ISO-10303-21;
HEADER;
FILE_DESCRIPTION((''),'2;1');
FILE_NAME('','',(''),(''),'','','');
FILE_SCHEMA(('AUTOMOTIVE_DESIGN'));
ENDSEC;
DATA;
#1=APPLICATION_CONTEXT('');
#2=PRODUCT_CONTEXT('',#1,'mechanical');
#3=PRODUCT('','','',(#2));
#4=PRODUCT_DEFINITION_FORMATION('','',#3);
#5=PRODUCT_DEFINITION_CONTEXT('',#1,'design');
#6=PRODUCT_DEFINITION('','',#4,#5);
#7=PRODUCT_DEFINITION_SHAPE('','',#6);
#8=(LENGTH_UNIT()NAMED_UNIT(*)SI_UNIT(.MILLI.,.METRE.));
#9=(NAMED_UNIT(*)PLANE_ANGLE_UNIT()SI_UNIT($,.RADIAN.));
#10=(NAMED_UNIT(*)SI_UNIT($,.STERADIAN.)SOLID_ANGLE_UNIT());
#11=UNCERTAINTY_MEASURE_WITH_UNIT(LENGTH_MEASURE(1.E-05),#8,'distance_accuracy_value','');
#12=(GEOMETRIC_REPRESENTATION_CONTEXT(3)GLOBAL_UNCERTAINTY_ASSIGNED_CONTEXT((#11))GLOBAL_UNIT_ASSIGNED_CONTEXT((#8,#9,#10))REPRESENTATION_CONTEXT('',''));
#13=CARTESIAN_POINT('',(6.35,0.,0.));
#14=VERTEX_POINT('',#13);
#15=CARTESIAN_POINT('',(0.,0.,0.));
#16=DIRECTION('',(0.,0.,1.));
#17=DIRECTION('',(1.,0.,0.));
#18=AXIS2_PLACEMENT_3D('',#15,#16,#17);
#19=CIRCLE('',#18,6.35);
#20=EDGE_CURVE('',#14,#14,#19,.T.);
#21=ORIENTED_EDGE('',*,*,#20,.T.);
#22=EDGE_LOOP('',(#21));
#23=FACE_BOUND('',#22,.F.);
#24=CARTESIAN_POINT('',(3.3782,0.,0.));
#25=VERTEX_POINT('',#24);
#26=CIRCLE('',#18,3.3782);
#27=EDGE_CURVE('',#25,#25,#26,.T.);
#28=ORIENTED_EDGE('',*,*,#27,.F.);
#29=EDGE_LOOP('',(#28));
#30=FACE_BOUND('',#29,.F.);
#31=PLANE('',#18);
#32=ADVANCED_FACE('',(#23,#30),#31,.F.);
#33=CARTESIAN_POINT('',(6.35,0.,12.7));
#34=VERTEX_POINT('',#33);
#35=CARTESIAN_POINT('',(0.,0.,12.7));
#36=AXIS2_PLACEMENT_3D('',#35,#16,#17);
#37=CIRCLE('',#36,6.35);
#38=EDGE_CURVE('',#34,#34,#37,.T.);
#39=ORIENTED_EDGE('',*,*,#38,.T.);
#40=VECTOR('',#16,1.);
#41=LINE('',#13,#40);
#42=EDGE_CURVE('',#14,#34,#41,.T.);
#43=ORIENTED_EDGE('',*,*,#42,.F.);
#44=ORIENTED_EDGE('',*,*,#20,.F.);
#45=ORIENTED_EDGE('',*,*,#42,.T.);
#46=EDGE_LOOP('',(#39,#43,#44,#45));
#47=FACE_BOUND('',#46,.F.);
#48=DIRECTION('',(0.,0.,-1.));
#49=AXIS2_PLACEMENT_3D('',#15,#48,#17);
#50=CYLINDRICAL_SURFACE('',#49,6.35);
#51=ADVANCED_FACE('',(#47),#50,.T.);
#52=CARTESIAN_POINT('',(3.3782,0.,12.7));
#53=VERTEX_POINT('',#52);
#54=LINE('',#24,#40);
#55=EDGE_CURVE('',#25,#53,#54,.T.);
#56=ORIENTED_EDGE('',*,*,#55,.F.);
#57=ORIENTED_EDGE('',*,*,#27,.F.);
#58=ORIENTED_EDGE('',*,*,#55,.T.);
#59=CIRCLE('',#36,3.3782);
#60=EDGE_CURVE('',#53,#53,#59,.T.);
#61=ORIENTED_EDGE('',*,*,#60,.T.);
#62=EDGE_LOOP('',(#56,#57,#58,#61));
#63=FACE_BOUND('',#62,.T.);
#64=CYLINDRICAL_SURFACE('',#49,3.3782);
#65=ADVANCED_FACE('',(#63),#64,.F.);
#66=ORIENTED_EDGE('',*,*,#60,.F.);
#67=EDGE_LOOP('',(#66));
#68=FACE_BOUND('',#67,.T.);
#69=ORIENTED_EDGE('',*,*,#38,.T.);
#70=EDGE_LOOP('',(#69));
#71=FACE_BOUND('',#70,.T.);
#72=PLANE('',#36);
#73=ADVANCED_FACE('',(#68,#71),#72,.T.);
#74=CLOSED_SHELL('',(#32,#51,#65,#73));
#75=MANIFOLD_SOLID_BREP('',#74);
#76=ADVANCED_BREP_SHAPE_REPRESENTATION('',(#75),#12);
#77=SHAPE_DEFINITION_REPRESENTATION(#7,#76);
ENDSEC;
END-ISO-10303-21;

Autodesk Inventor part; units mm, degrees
ref_plane "YZ Plane" through (0, 0, 0) normal (1, 0, 0) x (0, 1, 0)
ref_plane "XZ Plane" through (0, 0, 0) normal (0, 1, 0) x (-1, 0, 0)
ref_plane "XY Plane" through (0, 0, 0) normal (0, 0, 1) x (1, 0, 0)
sketch "Sketch1" plane through (0, 0, 0) normal (0, 0, 1) x (1, 0, 0)
  circle A0 centre (0, 0) radius 3.3782
  circle A1 centre (0, 0) radius 6.35
  dimension "d0" = 6.7564
  dimension "d1" = 12.7
extrude "Extrusion1" add sketch "Sketch1" along normal blind 12.7
properties part number "Wireless Mounting Board Spacer" material "ABS Plastic"
